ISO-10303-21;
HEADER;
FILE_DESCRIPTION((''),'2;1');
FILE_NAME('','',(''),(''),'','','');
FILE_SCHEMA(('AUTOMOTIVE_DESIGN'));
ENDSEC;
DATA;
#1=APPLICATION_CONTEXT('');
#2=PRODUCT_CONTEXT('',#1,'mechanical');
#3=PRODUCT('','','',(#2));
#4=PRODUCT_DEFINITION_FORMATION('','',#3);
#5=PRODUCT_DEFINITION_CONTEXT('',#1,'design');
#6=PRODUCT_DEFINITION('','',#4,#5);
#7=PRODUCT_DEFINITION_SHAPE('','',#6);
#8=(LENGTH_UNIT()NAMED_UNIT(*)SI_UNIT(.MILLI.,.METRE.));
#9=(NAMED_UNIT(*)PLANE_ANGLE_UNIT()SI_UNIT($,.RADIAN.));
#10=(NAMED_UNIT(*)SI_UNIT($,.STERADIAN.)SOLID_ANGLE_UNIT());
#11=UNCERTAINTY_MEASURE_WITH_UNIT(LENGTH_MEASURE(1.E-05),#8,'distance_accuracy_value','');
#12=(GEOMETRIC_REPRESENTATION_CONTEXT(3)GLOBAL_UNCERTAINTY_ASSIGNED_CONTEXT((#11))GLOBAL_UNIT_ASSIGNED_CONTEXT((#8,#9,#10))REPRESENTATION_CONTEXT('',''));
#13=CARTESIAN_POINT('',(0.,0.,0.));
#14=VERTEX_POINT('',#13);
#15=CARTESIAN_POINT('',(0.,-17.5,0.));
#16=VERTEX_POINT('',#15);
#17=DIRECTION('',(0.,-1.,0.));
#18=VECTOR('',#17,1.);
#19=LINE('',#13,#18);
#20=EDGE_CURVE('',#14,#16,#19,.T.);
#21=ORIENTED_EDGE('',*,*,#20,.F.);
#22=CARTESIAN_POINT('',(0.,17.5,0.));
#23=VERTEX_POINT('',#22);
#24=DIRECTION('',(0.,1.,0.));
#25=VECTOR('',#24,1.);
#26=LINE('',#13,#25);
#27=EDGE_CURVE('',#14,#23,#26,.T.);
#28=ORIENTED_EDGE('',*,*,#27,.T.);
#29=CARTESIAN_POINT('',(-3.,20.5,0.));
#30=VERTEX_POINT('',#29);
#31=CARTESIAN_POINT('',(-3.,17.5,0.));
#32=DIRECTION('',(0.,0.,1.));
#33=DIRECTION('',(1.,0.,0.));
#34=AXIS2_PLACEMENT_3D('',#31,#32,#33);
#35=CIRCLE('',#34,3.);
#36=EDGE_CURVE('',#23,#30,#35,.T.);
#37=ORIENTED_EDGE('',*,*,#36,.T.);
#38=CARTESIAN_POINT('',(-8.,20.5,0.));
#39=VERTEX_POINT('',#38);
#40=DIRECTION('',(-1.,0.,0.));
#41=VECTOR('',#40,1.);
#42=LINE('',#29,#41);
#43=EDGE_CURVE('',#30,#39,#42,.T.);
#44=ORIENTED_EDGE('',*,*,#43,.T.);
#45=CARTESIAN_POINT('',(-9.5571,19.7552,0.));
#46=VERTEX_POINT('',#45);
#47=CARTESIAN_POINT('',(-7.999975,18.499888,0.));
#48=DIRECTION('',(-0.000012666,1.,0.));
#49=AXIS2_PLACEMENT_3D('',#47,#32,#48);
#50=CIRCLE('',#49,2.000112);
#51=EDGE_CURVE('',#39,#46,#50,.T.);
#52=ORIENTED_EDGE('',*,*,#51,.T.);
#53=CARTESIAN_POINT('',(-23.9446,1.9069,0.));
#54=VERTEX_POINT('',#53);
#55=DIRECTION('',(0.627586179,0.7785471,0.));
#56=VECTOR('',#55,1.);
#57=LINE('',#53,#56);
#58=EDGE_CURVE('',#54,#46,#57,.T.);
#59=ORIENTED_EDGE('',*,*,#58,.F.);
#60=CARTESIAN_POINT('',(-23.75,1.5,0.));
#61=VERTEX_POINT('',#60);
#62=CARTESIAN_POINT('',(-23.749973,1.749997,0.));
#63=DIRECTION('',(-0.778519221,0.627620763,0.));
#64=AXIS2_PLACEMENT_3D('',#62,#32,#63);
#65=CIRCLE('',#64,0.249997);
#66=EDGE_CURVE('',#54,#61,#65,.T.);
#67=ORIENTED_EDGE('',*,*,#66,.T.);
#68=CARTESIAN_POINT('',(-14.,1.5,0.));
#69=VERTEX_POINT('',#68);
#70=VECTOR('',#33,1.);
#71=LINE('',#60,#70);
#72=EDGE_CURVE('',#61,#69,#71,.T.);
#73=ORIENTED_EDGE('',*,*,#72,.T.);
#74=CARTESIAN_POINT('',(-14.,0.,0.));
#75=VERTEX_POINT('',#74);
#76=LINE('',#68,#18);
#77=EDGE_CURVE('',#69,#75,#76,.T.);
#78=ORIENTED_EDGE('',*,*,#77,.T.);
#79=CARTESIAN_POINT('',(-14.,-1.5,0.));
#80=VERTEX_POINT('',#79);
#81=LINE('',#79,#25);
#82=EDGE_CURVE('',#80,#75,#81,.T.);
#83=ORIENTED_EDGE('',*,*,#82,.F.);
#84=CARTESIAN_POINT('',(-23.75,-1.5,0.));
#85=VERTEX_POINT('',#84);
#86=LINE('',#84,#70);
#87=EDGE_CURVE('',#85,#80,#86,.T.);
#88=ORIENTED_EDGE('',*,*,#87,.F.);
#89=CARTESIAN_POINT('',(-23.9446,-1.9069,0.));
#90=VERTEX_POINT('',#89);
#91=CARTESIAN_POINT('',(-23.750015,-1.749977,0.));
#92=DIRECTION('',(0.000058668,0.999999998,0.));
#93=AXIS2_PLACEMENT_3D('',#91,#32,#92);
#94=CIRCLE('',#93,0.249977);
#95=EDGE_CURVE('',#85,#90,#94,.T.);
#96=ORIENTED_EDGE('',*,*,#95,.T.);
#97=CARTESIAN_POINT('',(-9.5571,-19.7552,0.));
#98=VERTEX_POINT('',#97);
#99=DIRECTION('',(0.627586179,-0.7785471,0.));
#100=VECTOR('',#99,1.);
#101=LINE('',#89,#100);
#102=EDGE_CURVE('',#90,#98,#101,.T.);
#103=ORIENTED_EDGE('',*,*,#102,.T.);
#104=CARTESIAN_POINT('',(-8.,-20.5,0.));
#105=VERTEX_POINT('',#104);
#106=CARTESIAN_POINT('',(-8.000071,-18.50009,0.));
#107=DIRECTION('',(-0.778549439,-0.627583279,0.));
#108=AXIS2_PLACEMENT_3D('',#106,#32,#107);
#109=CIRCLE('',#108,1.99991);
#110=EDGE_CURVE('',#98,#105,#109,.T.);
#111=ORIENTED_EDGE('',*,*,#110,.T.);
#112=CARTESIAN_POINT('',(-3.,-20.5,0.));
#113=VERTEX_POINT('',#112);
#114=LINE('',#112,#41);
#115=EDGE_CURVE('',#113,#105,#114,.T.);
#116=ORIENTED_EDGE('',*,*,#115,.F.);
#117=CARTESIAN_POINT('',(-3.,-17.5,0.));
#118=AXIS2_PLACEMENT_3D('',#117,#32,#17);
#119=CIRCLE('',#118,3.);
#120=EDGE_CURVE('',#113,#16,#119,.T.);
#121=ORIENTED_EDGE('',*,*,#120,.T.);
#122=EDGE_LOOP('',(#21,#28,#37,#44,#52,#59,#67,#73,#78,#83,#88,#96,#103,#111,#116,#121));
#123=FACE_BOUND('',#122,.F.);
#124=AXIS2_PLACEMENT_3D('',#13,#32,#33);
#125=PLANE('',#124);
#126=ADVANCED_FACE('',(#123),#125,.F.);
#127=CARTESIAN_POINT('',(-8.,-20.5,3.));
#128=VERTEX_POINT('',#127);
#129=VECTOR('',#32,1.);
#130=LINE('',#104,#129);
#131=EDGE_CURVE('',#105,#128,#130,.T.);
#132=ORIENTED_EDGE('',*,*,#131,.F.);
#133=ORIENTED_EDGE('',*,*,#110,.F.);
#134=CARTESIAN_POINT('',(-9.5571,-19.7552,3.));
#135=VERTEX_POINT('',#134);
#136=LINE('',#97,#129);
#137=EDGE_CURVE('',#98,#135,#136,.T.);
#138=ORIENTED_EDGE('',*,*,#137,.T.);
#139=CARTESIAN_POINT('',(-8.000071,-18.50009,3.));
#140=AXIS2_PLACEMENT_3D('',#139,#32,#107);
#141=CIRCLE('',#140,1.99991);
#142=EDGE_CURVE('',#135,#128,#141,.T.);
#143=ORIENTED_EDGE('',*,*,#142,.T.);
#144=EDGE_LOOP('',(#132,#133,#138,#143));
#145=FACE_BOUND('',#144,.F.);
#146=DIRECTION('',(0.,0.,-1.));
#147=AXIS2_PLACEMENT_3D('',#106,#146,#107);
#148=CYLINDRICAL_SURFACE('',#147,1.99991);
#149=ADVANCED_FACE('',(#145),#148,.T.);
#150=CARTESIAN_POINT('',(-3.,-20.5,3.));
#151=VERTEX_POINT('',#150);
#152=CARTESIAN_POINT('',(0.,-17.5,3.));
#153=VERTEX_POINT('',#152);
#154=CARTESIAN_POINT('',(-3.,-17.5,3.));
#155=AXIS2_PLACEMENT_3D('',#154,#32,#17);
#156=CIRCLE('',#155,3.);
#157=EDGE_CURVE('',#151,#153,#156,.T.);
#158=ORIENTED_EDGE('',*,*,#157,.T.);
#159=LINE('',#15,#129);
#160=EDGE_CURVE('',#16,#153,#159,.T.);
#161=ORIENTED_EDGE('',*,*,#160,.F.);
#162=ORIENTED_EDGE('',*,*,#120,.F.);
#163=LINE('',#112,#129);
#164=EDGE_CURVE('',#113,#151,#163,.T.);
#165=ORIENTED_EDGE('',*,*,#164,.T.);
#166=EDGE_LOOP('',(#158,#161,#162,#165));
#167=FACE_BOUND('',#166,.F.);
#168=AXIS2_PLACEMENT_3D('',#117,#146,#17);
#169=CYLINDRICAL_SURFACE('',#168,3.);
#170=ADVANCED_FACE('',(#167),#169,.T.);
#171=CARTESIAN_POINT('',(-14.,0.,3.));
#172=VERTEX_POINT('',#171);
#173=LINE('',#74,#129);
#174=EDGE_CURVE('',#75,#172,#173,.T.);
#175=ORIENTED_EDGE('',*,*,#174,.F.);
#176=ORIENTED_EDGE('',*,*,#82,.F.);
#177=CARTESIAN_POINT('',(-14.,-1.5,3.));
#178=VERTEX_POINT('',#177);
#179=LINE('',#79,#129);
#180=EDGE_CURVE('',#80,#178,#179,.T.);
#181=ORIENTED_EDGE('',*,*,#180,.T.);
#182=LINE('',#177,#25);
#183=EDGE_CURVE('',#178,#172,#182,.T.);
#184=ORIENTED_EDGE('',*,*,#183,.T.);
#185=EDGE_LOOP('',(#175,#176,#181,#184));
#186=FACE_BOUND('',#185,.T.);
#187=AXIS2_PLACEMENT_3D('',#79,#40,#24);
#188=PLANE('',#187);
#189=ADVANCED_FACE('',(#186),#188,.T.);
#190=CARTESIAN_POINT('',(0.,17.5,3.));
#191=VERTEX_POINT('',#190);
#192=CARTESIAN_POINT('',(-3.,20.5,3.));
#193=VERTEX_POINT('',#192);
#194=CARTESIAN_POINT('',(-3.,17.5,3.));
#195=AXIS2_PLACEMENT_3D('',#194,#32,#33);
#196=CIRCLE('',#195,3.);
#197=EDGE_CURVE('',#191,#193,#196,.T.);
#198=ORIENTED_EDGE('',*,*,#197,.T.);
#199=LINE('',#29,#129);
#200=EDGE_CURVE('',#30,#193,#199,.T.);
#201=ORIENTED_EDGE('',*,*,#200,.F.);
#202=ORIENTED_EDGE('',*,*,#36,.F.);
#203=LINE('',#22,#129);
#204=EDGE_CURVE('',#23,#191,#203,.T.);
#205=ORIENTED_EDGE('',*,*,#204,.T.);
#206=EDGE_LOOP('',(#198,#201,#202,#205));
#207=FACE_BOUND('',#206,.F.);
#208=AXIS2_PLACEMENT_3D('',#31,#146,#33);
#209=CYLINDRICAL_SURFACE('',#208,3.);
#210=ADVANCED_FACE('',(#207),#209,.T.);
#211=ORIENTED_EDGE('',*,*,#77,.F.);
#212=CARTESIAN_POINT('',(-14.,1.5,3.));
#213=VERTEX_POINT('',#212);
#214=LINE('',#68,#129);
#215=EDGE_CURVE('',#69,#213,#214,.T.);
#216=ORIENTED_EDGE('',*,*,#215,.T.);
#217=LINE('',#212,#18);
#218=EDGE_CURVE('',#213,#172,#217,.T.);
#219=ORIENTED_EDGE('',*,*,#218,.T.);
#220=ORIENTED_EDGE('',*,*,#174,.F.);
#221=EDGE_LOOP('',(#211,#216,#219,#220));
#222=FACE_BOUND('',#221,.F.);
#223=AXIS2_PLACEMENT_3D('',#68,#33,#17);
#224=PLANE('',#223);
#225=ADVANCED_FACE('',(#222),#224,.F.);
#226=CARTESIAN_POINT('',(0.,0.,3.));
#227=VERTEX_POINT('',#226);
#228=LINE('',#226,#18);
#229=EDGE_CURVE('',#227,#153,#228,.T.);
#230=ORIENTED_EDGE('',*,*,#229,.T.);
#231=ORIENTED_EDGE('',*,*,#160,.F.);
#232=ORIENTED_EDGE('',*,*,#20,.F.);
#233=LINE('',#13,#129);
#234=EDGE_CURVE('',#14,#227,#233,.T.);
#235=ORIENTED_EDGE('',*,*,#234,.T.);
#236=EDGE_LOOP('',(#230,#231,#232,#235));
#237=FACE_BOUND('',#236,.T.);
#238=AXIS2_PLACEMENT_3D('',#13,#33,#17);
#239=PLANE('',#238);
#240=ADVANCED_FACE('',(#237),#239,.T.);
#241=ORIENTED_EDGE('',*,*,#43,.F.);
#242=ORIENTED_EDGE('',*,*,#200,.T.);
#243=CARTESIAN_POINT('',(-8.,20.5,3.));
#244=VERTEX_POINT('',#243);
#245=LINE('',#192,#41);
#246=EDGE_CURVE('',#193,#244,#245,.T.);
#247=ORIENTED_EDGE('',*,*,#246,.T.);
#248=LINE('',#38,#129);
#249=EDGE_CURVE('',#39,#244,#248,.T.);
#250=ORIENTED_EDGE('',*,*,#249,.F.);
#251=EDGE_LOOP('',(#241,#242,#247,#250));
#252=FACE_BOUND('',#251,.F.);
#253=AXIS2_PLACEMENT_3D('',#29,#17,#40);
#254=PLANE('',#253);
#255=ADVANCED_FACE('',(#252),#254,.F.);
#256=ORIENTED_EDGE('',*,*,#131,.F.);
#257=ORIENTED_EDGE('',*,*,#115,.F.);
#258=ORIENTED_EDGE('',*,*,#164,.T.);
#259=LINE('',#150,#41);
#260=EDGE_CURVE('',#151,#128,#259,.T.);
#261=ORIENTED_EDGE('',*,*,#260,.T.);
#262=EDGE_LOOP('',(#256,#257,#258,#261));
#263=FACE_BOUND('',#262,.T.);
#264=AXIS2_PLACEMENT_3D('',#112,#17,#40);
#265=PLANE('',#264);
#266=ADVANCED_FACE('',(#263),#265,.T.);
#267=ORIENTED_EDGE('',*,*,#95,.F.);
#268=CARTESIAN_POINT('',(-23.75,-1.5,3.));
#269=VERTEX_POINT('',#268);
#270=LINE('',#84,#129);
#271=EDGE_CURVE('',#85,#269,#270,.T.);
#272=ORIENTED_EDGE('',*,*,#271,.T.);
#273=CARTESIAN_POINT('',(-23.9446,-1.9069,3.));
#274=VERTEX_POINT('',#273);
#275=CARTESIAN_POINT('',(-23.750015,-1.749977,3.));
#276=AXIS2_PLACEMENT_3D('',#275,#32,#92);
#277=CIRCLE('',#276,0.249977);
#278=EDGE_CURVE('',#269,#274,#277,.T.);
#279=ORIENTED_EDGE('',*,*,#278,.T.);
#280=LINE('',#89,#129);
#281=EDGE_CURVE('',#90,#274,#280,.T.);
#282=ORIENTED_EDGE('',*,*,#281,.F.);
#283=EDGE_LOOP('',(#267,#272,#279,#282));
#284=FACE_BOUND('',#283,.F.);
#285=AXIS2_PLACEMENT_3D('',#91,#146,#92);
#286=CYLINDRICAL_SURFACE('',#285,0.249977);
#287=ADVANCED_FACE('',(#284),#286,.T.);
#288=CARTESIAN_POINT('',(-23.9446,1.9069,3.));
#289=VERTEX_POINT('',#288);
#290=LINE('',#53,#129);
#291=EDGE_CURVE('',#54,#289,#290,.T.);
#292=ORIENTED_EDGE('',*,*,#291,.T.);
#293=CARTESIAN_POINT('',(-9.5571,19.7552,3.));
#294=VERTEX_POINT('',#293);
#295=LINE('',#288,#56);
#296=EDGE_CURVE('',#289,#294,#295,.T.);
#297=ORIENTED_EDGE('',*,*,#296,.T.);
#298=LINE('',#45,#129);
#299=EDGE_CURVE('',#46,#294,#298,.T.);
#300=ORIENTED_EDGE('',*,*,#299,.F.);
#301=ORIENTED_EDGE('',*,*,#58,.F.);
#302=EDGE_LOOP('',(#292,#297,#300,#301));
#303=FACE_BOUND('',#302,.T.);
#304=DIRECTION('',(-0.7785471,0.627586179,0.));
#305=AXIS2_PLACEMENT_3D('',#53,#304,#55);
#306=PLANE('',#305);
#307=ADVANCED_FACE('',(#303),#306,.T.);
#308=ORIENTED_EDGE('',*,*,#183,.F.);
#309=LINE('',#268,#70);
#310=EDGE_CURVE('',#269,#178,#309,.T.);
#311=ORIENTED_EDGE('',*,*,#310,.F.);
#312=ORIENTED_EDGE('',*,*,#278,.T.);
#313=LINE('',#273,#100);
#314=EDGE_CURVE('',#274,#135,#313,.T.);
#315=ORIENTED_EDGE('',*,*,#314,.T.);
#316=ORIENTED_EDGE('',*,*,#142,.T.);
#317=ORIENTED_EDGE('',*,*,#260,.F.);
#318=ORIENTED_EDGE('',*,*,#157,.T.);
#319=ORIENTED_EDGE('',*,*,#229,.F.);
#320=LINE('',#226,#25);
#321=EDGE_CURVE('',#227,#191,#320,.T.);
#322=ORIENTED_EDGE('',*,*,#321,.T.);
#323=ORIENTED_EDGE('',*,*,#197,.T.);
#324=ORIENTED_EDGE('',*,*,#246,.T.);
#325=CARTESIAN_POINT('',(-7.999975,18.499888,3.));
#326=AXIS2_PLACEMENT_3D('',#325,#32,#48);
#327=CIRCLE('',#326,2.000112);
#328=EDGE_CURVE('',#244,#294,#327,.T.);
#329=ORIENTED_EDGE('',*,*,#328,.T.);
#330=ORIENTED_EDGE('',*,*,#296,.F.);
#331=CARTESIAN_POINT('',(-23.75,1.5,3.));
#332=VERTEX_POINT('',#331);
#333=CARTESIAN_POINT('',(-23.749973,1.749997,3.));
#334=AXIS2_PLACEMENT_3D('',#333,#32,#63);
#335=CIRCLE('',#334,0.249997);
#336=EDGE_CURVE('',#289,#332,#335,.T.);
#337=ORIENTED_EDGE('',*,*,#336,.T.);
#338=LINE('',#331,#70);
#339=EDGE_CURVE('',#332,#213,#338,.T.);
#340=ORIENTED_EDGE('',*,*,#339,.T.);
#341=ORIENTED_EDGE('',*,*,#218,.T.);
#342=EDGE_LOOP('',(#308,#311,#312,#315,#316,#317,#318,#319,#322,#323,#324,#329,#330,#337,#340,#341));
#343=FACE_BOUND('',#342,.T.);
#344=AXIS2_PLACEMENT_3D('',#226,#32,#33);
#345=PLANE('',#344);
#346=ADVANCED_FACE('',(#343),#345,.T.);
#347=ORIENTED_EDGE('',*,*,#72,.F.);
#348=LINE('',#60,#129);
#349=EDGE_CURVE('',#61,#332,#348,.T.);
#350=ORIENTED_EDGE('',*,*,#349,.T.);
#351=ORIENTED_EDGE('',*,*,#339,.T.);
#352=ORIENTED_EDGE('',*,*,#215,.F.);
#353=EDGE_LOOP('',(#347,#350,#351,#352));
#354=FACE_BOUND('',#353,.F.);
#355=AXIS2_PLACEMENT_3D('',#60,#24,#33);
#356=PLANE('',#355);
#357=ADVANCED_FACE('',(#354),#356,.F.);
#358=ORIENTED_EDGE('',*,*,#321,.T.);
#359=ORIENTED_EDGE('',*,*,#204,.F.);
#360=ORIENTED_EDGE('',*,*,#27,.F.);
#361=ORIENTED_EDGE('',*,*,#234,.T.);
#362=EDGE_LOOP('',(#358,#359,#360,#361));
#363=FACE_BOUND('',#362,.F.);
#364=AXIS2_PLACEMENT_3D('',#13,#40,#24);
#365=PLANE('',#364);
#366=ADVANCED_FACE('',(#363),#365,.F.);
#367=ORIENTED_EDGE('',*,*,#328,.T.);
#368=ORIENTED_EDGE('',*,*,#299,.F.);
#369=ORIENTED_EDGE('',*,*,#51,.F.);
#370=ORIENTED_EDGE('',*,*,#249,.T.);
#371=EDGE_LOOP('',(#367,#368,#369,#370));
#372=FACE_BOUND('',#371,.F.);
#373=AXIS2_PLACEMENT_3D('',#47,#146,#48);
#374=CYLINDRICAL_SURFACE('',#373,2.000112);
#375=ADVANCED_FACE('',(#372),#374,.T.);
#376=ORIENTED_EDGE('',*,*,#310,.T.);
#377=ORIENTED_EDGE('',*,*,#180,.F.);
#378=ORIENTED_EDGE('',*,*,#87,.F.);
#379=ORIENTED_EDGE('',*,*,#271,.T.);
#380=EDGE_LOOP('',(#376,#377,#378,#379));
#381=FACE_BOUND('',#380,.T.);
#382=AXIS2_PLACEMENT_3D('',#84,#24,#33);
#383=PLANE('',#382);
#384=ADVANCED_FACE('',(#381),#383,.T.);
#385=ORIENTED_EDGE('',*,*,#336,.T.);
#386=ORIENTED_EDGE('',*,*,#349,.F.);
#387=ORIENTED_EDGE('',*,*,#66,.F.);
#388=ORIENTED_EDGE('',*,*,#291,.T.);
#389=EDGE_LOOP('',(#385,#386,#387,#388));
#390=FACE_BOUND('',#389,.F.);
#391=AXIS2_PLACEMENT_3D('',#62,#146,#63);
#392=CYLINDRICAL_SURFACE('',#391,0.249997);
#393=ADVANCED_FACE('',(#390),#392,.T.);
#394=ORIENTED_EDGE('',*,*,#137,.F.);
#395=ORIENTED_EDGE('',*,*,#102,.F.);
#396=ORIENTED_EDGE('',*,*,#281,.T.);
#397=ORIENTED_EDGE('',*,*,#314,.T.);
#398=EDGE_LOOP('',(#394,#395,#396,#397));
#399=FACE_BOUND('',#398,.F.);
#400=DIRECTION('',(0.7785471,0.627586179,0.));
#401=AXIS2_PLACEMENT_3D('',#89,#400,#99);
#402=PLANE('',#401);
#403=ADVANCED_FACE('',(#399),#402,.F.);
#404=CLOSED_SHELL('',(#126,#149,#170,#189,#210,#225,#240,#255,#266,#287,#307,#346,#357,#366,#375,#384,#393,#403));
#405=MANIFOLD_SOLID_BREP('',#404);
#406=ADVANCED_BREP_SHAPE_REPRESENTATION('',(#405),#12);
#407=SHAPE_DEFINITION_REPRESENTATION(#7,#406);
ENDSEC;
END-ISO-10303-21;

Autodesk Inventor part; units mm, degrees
ref_plane "YZ Plane" through (0, 0, 0) normal (1, 0, 0) x (0, 1, 0)
ref_plane "XZ Plane" through (0, 0, 0) normal (0, 1, 0) x (-1, 0, 0)
ref_plane "XY Plane" through (0, 0, 0) normal (0, 0, 1) x (1, 0, 0)
sketch "Esboço1" plane through (0, 0, 0) normal (0, 0, 1) x (1, 0, 0)
  line L0 (0, 0) -> (0, 17.5)
  arc A0 (0, 17.5) -> (-3, 20.5) centre (-3, 17.5) ccw
  line L1 (-3, 20.5) -> (-8, 20.5)
  arc A1 (-8, 20.5) -> (-9.5571, 19.7552) centre (-8, 18.5) ccw
  line L2 (-23.75, 1.5) -> (-14, 1.5)
  line L3 (-14, 1.5) -> (-14, 0)
  arc A2 (-23.9446, 1.9069) -> (-23.75, 1.5) centre (-23.75, 1.75) ccw
  line L4 (-23.9446, 1.9069) -> (-9.5571, 19.7552)
  line L5 (0, 0) -> (0, -17.5)
  arc A3 (-3, -20.5) -> (0, -17.5) centre (-3, -17.5) ccw
  line L6 (-3, -20.5) -> (-8, -20.5)
  arc A4 (-9.5571, -19.7552) -> (-8, -20.5) centre (-8, -18.5) ccw
  line L7 (-23.75, -1.5) -> (-14, -1.5)
  line L8 (-14, -1.5) -> (-14, 0)
  arc A5 (-23.75, -1.5) -> (-23.9446, -1.9069) centre (-23.75, -1.75) ccw
  line L9 (-23.9446, -1.9069) -> (-9.5571, -19.7552)
  point P0 (-7, 0)
  point P1 (-5.5, 20.5)
  point P2 (-5.5, -20.5)
extrude "Extrusão1" add sketch "Esboço1" along normal blind 3
properties part number "LEME"
